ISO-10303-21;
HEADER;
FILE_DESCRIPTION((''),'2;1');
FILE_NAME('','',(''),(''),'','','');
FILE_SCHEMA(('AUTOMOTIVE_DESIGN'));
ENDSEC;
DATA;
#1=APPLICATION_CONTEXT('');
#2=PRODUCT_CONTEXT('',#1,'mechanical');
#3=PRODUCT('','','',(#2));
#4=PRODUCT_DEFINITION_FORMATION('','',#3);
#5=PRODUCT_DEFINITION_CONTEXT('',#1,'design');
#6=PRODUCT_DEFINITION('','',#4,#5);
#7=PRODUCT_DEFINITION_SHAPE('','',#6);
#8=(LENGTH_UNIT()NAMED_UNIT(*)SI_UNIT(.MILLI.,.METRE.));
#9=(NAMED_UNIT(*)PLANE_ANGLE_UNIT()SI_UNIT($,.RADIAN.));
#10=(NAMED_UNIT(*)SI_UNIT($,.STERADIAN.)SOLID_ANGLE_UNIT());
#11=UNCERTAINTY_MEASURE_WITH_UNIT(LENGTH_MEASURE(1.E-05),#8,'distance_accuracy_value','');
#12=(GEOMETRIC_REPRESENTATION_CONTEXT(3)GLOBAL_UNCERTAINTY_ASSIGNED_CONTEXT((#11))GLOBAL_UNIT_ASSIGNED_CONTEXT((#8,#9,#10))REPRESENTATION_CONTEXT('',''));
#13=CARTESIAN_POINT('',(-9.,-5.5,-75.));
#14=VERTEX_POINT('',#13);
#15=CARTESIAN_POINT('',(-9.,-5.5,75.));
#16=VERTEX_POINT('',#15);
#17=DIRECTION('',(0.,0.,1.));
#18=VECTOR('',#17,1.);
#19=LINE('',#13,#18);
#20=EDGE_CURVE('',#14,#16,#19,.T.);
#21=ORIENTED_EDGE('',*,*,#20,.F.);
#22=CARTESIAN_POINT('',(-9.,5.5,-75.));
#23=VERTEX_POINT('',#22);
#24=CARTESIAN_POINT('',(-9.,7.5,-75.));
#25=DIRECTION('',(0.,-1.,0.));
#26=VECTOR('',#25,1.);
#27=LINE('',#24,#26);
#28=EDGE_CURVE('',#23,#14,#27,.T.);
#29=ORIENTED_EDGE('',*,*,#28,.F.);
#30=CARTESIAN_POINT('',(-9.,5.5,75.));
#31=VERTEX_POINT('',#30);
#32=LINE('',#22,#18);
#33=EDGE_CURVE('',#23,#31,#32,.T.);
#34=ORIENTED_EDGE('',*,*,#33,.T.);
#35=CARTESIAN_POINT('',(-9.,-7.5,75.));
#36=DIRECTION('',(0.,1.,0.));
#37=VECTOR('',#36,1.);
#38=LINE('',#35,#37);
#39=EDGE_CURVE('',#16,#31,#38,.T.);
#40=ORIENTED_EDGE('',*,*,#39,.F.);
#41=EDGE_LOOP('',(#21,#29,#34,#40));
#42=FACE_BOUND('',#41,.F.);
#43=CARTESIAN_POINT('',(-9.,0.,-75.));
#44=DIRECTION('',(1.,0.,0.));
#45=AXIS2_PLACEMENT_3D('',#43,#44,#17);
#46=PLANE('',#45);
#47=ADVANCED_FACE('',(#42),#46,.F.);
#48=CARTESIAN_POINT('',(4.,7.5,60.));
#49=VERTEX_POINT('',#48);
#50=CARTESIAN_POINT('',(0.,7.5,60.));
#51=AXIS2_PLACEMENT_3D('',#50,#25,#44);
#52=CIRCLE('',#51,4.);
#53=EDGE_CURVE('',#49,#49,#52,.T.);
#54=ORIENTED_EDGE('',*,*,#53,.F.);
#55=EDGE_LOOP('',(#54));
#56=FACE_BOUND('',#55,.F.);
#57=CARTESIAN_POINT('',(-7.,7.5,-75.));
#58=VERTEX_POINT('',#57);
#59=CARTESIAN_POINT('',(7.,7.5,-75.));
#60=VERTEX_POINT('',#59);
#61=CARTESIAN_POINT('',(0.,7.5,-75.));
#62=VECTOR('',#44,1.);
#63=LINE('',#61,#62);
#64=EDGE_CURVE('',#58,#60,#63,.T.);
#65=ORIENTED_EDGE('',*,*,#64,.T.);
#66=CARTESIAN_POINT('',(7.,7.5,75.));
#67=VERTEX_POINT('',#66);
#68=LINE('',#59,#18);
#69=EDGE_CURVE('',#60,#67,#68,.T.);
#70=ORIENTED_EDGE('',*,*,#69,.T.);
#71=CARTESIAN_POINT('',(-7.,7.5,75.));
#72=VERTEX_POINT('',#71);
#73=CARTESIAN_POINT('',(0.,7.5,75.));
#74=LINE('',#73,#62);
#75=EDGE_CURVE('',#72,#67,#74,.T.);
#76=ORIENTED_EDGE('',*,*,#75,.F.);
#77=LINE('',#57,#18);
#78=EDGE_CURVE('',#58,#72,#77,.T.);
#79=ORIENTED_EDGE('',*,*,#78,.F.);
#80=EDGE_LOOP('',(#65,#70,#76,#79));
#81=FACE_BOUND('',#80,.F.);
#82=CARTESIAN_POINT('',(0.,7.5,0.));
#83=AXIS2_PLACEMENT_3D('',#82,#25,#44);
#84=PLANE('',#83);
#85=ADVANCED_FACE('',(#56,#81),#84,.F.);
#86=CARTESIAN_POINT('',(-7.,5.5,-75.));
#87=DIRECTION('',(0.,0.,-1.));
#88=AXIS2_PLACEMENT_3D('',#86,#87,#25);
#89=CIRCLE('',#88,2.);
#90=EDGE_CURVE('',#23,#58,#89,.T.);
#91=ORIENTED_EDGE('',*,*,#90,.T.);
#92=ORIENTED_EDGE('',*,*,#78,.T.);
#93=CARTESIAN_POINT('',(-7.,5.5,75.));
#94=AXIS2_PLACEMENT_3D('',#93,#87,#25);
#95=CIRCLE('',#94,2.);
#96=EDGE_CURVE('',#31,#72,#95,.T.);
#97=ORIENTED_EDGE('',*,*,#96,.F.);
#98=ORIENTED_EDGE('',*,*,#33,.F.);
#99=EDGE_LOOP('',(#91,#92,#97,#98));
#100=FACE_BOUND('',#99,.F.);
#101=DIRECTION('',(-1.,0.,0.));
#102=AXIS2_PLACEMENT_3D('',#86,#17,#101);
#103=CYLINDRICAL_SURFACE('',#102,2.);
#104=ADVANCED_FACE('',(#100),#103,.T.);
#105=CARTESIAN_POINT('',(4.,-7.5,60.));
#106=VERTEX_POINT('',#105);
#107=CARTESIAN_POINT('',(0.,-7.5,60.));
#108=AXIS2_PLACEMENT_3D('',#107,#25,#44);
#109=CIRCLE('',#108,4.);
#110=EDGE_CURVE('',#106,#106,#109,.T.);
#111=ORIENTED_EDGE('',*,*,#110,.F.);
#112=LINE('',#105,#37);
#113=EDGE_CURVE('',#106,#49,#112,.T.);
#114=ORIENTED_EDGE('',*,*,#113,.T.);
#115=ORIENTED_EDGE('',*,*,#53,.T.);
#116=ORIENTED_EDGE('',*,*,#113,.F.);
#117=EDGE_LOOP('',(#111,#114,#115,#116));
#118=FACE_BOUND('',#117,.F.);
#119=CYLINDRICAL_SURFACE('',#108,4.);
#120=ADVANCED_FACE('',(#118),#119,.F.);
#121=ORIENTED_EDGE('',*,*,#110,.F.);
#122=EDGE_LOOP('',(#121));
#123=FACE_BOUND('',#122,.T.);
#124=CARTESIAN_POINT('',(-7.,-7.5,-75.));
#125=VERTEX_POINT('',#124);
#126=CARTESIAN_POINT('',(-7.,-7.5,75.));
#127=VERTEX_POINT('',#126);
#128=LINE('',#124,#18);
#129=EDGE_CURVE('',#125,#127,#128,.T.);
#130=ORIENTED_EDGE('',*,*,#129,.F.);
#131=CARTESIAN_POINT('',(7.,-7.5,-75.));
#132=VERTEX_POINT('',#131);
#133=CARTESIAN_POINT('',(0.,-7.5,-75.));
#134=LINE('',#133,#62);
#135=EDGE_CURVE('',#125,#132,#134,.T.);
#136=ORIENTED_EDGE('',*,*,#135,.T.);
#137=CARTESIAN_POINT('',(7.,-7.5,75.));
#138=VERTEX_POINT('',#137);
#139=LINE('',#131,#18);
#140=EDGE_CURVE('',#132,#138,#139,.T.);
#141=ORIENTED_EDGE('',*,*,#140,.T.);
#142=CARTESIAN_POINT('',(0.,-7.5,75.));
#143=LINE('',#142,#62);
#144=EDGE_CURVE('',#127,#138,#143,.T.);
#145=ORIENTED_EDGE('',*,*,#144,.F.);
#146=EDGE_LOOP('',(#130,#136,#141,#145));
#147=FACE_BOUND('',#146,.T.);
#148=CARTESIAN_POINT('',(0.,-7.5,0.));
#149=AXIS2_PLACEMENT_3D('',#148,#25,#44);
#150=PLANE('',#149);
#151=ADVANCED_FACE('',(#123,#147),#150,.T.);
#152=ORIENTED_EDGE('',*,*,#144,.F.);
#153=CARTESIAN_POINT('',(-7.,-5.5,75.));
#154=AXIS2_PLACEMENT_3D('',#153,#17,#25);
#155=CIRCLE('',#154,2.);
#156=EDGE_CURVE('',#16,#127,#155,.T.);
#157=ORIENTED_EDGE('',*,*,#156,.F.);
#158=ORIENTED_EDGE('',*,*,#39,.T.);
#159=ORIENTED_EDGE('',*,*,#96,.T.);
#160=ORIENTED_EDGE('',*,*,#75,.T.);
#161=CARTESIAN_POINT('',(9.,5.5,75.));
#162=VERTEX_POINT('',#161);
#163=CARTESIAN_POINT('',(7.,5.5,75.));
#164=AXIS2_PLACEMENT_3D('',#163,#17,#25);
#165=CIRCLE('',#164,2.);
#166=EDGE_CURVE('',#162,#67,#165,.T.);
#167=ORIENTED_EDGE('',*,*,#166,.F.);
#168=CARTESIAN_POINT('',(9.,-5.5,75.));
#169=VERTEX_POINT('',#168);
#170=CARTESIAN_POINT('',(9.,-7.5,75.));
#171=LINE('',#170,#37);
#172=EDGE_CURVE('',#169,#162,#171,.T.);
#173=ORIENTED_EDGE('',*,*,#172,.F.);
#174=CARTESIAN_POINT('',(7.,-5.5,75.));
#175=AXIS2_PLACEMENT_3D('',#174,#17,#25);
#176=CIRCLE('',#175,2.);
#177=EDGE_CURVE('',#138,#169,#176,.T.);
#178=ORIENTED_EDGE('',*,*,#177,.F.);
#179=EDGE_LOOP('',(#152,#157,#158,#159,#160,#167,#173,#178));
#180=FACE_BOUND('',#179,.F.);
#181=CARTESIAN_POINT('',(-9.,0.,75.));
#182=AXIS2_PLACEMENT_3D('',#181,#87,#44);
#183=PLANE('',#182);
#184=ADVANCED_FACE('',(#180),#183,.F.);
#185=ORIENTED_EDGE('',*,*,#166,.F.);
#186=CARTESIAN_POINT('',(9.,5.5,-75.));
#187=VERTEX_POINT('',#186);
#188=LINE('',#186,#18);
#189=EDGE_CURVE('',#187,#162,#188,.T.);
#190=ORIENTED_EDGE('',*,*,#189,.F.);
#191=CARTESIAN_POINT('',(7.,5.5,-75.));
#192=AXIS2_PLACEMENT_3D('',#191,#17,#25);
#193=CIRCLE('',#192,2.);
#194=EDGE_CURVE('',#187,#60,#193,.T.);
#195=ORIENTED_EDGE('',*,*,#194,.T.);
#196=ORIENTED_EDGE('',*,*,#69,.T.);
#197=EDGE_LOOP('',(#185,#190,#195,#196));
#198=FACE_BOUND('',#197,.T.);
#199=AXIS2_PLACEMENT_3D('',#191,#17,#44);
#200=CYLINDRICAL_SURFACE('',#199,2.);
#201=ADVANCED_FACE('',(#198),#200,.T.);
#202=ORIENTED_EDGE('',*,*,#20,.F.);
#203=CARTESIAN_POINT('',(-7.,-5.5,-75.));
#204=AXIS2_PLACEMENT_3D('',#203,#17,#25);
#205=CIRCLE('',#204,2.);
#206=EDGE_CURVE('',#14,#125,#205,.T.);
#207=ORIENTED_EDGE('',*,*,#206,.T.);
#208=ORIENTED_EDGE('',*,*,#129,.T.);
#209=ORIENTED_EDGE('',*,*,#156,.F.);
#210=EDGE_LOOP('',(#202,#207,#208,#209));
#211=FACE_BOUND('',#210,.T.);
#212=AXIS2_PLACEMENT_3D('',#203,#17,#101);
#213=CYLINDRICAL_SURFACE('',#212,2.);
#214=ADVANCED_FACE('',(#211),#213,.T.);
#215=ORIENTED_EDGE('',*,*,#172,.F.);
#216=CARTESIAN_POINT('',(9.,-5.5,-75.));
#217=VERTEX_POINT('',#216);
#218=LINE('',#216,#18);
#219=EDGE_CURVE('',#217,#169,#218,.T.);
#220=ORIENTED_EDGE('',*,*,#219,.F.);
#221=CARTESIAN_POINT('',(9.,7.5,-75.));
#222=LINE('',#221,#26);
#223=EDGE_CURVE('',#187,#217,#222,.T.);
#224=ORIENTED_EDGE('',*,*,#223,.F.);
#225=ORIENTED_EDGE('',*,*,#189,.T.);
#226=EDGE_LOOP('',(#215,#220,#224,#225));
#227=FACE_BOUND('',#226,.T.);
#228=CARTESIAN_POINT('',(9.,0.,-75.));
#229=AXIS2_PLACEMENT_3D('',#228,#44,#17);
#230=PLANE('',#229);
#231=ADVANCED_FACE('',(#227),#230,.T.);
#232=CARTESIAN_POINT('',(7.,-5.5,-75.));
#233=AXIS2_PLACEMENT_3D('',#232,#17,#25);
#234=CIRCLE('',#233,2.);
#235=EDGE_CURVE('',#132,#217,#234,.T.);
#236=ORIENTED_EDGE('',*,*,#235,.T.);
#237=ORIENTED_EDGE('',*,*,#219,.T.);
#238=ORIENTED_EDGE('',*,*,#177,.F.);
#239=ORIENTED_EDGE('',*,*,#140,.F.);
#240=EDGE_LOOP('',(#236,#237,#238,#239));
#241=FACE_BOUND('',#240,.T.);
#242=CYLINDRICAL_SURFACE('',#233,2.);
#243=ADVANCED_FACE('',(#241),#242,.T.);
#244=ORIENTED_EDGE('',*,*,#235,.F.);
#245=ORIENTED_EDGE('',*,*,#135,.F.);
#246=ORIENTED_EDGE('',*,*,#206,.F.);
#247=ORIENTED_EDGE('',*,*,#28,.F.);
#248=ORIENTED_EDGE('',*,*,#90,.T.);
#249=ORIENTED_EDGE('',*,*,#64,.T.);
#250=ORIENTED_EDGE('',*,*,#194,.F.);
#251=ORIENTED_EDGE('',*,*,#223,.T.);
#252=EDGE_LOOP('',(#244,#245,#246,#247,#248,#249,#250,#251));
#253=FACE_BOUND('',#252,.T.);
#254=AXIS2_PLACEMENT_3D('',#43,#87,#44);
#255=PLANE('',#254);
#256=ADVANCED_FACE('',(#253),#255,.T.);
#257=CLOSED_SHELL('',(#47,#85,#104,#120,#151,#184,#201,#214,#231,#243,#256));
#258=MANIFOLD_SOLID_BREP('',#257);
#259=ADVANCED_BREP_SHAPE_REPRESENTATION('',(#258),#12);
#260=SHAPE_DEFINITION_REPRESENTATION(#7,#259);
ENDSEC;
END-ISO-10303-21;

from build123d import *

# Parameters (mm, degrees)
F0_W     = 18
F0_H     = 150
F1_DEPTH = 7.5
F2_R     = 2
F3_R     = 4
F4_DEPTH = 25.4


with BuildPart() as f1:
    # F0 (on Front) → F1 (new body, symmetric)
    with BuildSketch(Plane.XZ):
        Rectangle(F0_W, F0_H)
    extrude(amount=F1_DEPTH, both=True)

    # F2
    f2_edges = [f1.edges().sort_by_distance(p)[0] for p in [
        (-9, -7.5, 0),
        (9, -7.5, 0),
        (9, 7.5, 0),
        (-9, 7.5, 0),
    ]]
    fillet(f2_edges, radius=F2_R)

    # F3 (on face) → F4 (cut)
    with BuildSketch(Plane.XZ.offset(7.5)):
        with Locations((0, 60)):
            Circle(F3_R)
    extrude(amount=-F4_DEPTH, mode=Mode.SUBTRACT)


solid = f1.part
